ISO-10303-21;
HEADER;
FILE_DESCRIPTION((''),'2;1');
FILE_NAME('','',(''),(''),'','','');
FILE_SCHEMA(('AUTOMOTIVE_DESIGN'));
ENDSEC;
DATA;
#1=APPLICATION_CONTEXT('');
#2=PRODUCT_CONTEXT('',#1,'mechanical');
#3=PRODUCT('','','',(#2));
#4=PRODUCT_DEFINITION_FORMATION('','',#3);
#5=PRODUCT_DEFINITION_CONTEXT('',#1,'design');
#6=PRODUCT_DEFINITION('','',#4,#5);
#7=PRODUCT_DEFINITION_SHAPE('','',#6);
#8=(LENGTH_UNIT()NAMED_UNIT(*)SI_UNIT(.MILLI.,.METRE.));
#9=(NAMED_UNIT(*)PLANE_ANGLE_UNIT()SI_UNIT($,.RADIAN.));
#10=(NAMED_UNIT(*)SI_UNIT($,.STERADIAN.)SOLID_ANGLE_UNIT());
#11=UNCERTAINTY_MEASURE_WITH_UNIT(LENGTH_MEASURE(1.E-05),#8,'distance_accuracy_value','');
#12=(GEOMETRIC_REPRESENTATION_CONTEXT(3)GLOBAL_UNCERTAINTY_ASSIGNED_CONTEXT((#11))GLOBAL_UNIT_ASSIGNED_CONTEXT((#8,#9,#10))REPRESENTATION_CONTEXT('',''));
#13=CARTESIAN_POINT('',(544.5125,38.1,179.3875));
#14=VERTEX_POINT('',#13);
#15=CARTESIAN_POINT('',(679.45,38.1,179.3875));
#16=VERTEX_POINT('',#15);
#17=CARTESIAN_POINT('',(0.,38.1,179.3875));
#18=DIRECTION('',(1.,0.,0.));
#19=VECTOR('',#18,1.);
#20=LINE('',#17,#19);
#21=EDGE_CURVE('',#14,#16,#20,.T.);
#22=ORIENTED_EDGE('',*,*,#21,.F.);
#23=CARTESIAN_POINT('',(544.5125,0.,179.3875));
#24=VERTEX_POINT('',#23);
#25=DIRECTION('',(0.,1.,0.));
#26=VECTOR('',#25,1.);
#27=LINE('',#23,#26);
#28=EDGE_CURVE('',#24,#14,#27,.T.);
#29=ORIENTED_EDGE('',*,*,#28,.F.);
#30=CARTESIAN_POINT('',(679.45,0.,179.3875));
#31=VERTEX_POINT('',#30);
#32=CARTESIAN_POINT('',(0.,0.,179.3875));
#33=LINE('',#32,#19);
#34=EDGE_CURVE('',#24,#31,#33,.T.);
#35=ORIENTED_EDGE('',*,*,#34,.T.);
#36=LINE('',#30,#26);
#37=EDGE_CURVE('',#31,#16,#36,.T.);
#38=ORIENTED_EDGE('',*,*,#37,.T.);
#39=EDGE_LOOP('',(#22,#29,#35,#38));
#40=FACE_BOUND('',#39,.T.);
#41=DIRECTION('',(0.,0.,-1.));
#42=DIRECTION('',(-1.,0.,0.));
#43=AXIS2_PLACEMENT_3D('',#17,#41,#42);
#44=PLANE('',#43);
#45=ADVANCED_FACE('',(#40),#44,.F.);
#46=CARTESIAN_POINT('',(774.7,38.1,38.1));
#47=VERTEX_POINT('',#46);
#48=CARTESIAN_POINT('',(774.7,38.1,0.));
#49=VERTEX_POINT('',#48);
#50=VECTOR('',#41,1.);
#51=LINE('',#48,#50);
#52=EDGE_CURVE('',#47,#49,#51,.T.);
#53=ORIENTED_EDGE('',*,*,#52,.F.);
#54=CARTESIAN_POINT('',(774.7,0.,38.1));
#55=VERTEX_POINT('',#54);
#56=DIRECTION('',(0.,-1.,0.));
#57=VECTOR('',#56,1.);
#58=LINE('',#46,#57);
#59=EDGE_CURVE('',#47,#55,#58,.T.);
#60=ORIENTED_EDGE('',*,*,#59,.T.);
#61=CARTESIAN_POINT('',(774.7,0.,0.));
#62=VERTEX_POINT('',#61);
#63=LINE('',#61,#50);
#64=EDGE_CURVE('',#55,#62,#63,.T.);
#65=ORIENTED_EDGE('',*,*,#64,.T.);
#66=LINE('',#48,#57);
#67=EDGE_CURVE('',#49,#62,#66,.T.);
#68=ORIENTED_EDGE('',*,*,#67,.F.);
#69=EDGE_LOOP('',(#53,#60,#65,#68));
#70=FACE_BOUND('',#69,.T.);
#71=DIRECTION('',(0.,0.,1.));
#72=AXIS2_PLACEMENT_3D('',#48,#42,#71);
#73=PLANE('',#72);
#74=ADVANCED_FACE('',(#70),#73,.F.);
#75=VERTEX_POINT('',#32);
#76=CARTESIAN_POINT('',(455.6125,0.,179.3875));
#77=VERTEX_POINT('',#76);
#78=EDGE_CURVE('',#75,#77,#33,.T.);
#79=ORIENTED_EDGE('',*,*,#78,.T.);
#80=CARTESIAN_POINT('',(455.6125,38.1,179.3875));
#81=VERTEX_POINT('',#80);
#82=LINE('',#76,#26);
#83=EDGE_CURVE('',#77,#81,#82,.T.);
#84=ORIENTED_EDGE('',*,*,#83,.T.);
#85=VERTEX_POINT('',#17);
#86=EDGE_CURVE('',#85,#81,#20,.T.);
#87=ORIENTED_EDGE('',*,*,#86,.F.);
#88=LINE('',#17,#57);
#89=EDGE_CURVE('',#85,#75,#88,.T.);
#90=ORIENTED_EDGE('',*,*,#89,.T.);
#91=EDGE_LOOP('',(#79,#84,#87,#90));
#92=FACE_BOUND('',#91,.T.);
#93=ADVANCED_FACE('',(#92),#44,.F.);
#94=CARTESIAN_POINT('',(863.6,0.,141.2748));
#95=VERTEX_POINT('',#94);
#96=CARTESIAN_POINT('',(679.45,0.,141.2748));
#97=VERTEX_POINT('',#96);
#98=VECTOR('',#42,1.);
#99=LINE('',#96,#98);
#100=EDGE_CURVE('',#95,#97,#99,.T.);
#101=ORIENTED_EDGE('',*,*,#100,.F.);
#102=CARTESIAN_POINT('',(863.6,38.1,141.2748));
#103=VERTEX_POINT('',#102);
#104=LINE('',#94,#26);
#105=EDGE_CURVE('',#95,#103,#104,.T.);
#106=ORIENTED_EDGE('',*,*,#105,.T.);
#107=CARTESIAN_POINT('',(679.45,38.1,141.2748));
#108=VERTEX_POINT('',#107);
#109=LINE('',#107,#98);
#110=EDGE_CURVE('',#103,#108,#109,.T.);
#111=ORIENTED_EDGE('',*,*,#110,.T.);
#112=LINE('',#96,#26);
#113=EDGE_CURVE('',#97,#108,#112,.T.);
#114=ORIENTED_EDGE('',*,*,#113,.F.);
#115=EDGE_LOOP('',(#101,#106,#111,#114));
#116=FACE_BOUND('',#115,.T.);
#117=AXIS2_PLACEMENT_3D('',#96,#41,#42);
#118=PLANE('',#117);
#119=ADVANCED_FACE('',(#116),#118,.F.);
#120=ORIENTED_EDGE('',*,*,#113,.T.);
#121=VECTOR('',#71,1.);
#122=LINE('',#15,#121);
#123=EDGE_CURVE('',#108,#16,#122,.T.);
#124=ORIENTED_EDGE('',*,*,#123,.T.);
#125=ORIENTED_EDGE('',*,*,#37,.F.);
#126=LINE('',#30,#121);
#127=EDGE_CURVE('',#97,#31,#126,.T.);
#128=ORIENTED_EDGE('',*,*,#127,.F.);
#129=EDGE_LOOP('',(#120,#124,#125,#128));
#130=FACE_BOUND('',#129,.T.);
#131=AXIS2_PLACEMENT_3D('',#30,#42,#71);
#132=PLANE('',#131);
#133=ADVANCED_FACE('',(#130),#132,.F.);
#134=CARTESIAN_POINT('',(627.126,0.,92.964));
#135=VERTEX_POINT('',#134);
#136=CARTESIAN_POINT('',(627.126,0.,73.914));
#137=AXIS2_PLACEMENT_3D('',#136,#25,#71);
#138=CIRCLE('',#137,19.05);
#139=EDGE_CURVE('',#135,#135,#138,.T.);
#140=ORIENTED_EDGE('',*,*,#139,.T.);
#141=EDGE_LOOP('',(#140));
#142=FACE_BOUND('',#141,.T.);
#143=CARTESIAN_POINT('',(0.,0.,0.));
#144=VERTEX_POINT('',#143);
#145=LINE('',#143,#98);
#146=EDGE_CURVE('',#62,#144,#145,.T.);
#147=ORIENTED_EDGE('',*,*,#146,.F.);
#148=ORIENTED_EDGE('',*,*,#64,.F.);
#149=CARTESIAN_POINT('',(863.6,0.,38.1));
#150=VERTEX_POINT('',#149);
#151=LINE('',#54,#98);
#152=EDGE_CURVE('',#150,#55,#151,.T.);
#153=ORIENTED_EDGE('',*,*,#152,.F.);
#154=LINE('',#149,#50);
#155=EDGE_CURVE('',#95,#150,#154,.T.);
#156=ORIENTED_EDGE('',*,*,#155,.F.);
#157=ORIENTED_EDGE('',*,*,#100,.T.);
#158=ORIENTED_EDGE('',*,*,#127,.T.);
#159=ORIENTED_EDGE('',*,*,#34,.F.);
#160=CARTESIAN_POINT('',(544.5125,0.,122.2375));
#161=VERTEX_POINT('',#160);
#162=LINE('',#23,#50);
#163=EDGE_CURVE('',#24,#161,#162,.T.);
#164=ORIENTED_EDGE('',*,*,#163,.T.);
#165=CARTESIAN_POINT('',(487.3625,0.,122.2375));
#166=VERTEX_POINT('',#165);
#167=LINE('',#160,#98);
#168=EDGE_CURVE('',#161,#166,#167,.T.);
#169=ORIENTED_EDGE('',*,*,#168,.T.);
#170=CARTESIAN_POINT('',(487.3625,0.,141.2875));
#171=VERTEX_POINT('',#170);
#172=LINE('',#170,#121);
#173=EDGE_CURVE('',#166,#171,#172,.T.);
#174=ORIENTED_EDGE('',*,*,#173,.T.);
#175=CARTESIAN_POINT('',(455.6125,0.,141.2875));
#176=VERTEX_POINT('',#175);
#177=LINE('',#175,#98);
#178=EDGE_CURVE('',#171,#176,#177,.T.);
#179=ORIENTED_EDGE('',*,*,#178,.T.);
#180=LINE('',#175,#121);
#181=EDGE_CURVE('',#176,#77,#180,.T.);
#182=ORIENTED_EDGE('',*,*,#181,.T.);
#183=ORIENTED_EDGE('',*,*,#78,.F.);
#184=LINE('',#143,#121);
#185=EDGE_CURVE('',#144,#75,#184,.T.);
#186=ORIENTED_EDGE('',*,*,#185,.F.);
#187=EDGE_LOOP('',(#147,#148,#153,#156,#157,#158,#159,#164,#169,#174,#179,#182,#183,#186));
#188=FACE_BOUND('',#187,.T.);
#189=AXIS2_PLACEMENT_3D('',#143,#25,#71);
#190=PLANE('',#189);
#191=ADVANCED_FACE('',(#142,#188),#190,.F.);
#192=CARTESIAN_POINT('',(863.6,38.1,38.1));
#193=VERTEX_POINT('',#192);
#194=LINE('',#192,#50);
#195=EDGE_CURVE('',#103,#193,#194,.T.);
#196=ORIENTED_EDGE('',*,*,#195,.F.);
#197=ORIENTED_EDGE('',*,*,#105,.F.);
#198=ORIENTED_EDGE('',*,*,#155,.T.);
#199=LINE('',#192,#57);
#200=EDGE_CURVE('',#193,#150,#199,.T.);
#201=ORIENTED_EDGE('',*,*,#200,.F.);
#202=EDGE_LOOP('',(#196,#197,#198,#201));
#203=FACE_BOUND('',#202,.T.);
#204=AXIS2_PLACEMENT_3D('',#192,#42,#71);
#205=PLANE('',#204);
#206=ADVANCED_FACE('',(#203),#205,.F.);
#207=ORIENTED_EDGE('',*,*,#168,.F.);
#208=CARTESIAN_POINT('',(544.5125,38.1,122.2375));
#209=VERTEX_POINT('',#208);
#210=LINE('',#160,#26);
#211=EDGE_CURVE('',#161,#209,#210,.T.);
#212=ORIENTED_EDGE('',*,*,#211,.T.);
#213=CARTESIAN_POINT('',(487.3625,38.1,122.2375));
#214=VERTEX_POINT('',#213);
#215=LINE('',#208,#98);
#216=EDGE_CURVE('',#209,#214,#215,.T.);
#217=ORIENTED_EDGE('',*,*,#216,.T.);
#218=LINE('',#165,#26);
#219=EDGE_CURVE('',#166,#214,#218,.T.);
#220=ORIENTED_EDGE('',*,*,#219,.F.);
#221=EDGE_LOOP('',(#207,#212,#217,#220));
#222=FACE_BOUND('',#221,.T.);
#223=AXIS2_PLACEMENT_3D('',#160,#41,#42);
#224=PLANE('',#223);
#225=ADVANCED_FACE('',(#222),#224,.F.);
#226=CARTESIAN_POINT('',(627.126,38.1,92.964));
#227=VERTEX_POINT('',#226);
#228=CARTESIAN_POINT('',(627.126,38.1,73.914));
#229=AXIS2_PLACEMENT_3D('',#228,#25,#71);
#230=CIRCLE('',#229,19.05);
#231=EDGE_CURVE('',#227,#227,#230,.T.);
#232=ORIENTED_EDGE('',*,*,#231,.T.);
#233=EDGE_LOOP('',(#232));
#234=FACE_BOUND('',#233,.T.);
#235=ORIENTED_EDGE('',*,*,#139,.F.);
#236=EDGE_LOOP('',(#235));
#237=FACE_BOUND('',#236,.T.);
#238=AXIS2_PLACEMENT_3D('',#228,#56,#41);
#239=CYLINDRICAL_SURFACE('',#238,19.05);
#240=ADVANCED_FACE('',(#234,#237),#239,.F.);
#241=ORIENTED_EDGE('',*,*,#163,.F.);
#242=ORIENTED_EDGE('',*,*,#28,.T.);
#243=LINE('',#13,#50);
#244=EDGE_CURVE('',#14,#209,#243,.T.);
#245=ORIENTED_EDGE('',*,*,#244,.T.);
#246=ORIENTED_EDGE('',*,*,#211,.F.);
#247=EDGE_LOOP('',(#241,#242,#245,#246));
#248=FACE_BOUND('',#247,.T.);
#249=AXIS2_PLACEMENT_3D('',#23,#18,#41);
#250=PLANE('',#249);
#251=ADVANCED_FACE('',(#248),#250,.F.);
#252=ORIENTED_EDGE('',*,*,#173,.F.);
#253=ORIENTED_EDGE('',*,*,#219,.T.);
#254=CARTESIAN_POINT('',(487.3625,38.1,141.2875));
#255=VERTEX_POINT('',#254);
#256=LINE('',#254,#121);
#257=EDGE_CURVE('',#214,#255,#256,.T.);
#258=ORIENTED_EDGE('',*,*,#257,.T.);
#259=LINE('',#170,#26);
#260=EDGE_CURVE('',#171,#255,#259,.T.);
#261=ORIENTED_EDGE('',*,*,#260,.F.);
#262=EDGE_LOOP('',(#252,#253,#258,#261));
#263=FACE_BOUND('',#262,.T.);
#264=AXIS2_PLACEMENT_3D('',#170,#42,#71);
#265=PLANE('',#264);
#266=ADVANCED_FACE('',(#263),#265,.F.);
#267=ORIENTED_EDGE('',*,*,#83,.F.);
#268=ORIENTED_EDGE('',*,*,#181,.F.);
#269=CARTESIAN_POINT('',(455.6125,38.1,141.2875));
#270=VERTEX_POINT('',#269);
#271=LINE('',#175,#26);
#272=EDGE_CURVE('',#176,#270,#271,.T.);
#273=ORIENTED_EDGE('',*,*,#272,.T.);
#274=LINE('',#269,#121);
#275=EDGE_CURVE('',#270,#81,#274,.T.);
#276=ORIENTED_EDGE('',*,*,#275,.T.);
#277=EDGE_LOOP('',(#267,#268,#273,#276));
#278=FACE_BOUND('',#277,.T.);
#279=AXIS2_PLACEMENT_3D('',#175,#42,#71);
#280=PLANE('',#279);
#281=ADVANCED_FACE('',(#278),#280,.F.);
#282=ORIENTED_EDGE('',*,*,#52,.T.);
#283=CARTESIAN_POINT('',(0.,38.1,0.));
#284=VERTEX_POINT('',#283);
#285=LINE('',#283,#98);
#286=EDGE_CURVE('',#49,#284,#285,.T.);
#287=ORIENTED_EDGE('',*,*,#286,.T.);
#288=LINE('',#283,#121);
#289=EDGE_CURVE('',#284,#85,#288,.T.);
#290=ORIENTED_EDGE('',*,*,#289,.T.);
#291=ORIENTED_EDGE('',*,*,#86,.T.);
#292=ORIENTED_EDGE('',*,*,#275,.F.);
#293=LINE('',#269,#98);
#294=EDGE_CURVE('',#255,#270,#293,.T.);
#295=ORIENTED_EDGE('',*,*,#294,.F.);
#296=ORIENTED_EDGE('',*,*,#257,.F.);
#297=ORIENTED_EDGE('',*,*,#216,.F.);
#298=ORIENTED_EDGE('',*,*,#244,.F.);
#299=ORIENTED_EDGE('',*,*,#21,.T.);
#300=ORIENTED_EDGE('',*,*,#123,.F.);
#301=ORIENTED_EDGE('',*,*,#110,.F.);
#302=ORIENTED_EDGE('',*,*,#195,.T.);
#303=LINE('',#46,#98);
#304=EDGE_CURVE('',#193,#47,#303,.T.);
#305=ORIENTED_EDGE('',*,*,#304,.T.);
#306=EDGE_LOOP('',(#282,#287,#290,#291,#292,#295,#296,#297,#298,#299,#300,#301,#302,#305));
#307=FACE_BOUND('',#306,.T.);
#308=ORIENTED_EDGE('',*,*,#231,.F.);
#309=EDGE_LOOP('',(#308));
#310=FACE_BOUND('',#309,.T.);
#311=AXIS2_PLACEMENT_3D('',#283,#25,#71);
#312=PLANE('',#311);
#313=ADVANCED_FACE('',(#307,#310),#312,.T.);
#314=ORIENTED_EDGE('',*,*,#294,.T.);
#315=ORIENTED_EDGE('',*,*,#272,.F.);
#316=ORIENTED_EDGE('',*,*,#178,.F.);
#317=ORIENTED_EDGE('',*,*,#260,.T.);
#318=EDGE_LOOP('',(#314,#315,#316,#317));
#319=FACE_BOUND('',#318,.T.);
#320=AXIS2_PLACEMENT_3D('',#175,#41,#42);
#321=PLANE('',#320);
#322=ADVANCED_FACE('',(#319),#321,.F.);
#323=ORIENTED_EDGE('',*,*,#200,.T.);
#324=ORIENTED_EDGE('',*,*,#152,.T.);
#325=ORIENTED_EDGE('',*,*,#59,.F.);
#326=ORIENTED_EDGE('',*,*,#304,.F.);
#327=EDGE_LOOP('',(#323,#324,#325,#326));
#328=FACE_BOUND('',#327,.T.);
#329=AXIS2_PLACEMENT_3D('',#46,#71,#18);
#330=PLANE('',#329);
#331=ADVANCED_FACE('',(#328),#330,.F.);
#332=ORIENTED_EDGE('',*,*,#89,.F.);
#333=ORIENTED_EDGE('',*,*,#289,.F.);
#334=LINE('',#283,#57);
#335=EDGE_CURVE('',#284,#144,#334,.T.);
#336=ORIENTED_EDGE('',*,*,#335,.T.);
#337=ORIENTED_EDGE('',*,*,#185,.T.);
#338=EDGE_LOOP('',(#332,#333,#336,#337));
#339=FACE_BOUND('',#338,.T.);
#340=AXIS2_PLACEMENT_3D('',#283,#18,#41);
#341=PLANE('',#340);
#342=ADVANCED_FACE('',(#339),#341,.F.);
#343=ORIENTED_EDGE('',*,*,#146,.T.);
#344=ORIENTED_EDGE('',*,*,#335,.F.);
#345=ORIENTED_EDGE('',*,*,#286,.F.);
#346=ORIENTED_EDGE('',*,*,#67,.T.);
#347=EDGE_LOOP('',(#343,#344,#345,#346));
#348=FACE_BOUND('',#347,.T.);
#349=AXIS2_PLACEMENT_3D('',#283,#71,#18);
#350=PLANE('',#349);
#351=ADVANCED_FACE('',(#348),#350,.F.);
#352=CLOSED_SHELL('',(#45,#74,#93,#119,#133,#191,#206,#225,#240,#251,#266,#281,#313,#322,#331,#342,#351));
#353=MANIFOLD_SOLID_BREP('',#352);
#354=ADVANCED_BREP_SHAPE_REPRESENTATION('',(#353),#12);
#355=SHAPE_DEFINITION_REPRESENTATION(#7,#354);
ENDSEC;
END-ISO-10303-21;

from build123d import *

# Parameters (mm, degrees)
SKETCH1_R           = 19.05
BOSS_EXTRUDE1_DEPTH = 38.1
CUT_EXTRUDE5_DEPTH  = 39.1
SKETCH8_W           = 184.15
SKETCH8_H           = 38.1127
CUT_EXTRUDE6_DEPTH  = 39.1


with BuildPart() as part:
    # Sketch1 → Boss-Extrude1 (new body)
    with BuildSketch(Plane(origin=(0, 0, 0), x_dir=(1, 0, 0), z_dir=(0, 1, 0))):
        Polygon((0, 0), (774.7, 0), (774.7, -38.1), (863.6, -38.1), (863.6, -179.3875), (0, -179.3875), align=None)
        with Locations((627.126, -73.914)):
            Circle(SKETCH1_R, mode=Mode.SUBTRACT)
    extrude(amount=BOSS_EXTRUDE1_DEPTH)

    # Sketch7 → Cut-Extrude5 (cut, through all)
    with BuildSketch(Plane(origin=(0, 38.1, 0), x_dir=(1, 0, 0), z_dir=(0, 1, 0))):
        Polygon((455.6125, -141.2875), (487.3625, -141.2875), (487.3625, -122.2375), (544.5125, -122.2375), (544.5125, -179.3875), (455.6125, -179.3875), align=None)
    extrude(amount=-CUT_EXTRUDE5_DEPTH, mode=Mode.SUBTRACT)

    # Sketch8 → Cut-Extrude6 (cut, through all)
    with BuildSketch(Plane(origin=(0, 38.1, 0), x_dir=(1, 0, 0), z_dir=(0, 1, 0))):
        with Locations((771.525, -160.33115)):
            Rectangle(SKETCH8_W, SKETCH8_H)
    extrude(amount=-CUT_EXTRUDE6_DEPTH, mode=Mode.SUBTRACT)


solid = part.part
